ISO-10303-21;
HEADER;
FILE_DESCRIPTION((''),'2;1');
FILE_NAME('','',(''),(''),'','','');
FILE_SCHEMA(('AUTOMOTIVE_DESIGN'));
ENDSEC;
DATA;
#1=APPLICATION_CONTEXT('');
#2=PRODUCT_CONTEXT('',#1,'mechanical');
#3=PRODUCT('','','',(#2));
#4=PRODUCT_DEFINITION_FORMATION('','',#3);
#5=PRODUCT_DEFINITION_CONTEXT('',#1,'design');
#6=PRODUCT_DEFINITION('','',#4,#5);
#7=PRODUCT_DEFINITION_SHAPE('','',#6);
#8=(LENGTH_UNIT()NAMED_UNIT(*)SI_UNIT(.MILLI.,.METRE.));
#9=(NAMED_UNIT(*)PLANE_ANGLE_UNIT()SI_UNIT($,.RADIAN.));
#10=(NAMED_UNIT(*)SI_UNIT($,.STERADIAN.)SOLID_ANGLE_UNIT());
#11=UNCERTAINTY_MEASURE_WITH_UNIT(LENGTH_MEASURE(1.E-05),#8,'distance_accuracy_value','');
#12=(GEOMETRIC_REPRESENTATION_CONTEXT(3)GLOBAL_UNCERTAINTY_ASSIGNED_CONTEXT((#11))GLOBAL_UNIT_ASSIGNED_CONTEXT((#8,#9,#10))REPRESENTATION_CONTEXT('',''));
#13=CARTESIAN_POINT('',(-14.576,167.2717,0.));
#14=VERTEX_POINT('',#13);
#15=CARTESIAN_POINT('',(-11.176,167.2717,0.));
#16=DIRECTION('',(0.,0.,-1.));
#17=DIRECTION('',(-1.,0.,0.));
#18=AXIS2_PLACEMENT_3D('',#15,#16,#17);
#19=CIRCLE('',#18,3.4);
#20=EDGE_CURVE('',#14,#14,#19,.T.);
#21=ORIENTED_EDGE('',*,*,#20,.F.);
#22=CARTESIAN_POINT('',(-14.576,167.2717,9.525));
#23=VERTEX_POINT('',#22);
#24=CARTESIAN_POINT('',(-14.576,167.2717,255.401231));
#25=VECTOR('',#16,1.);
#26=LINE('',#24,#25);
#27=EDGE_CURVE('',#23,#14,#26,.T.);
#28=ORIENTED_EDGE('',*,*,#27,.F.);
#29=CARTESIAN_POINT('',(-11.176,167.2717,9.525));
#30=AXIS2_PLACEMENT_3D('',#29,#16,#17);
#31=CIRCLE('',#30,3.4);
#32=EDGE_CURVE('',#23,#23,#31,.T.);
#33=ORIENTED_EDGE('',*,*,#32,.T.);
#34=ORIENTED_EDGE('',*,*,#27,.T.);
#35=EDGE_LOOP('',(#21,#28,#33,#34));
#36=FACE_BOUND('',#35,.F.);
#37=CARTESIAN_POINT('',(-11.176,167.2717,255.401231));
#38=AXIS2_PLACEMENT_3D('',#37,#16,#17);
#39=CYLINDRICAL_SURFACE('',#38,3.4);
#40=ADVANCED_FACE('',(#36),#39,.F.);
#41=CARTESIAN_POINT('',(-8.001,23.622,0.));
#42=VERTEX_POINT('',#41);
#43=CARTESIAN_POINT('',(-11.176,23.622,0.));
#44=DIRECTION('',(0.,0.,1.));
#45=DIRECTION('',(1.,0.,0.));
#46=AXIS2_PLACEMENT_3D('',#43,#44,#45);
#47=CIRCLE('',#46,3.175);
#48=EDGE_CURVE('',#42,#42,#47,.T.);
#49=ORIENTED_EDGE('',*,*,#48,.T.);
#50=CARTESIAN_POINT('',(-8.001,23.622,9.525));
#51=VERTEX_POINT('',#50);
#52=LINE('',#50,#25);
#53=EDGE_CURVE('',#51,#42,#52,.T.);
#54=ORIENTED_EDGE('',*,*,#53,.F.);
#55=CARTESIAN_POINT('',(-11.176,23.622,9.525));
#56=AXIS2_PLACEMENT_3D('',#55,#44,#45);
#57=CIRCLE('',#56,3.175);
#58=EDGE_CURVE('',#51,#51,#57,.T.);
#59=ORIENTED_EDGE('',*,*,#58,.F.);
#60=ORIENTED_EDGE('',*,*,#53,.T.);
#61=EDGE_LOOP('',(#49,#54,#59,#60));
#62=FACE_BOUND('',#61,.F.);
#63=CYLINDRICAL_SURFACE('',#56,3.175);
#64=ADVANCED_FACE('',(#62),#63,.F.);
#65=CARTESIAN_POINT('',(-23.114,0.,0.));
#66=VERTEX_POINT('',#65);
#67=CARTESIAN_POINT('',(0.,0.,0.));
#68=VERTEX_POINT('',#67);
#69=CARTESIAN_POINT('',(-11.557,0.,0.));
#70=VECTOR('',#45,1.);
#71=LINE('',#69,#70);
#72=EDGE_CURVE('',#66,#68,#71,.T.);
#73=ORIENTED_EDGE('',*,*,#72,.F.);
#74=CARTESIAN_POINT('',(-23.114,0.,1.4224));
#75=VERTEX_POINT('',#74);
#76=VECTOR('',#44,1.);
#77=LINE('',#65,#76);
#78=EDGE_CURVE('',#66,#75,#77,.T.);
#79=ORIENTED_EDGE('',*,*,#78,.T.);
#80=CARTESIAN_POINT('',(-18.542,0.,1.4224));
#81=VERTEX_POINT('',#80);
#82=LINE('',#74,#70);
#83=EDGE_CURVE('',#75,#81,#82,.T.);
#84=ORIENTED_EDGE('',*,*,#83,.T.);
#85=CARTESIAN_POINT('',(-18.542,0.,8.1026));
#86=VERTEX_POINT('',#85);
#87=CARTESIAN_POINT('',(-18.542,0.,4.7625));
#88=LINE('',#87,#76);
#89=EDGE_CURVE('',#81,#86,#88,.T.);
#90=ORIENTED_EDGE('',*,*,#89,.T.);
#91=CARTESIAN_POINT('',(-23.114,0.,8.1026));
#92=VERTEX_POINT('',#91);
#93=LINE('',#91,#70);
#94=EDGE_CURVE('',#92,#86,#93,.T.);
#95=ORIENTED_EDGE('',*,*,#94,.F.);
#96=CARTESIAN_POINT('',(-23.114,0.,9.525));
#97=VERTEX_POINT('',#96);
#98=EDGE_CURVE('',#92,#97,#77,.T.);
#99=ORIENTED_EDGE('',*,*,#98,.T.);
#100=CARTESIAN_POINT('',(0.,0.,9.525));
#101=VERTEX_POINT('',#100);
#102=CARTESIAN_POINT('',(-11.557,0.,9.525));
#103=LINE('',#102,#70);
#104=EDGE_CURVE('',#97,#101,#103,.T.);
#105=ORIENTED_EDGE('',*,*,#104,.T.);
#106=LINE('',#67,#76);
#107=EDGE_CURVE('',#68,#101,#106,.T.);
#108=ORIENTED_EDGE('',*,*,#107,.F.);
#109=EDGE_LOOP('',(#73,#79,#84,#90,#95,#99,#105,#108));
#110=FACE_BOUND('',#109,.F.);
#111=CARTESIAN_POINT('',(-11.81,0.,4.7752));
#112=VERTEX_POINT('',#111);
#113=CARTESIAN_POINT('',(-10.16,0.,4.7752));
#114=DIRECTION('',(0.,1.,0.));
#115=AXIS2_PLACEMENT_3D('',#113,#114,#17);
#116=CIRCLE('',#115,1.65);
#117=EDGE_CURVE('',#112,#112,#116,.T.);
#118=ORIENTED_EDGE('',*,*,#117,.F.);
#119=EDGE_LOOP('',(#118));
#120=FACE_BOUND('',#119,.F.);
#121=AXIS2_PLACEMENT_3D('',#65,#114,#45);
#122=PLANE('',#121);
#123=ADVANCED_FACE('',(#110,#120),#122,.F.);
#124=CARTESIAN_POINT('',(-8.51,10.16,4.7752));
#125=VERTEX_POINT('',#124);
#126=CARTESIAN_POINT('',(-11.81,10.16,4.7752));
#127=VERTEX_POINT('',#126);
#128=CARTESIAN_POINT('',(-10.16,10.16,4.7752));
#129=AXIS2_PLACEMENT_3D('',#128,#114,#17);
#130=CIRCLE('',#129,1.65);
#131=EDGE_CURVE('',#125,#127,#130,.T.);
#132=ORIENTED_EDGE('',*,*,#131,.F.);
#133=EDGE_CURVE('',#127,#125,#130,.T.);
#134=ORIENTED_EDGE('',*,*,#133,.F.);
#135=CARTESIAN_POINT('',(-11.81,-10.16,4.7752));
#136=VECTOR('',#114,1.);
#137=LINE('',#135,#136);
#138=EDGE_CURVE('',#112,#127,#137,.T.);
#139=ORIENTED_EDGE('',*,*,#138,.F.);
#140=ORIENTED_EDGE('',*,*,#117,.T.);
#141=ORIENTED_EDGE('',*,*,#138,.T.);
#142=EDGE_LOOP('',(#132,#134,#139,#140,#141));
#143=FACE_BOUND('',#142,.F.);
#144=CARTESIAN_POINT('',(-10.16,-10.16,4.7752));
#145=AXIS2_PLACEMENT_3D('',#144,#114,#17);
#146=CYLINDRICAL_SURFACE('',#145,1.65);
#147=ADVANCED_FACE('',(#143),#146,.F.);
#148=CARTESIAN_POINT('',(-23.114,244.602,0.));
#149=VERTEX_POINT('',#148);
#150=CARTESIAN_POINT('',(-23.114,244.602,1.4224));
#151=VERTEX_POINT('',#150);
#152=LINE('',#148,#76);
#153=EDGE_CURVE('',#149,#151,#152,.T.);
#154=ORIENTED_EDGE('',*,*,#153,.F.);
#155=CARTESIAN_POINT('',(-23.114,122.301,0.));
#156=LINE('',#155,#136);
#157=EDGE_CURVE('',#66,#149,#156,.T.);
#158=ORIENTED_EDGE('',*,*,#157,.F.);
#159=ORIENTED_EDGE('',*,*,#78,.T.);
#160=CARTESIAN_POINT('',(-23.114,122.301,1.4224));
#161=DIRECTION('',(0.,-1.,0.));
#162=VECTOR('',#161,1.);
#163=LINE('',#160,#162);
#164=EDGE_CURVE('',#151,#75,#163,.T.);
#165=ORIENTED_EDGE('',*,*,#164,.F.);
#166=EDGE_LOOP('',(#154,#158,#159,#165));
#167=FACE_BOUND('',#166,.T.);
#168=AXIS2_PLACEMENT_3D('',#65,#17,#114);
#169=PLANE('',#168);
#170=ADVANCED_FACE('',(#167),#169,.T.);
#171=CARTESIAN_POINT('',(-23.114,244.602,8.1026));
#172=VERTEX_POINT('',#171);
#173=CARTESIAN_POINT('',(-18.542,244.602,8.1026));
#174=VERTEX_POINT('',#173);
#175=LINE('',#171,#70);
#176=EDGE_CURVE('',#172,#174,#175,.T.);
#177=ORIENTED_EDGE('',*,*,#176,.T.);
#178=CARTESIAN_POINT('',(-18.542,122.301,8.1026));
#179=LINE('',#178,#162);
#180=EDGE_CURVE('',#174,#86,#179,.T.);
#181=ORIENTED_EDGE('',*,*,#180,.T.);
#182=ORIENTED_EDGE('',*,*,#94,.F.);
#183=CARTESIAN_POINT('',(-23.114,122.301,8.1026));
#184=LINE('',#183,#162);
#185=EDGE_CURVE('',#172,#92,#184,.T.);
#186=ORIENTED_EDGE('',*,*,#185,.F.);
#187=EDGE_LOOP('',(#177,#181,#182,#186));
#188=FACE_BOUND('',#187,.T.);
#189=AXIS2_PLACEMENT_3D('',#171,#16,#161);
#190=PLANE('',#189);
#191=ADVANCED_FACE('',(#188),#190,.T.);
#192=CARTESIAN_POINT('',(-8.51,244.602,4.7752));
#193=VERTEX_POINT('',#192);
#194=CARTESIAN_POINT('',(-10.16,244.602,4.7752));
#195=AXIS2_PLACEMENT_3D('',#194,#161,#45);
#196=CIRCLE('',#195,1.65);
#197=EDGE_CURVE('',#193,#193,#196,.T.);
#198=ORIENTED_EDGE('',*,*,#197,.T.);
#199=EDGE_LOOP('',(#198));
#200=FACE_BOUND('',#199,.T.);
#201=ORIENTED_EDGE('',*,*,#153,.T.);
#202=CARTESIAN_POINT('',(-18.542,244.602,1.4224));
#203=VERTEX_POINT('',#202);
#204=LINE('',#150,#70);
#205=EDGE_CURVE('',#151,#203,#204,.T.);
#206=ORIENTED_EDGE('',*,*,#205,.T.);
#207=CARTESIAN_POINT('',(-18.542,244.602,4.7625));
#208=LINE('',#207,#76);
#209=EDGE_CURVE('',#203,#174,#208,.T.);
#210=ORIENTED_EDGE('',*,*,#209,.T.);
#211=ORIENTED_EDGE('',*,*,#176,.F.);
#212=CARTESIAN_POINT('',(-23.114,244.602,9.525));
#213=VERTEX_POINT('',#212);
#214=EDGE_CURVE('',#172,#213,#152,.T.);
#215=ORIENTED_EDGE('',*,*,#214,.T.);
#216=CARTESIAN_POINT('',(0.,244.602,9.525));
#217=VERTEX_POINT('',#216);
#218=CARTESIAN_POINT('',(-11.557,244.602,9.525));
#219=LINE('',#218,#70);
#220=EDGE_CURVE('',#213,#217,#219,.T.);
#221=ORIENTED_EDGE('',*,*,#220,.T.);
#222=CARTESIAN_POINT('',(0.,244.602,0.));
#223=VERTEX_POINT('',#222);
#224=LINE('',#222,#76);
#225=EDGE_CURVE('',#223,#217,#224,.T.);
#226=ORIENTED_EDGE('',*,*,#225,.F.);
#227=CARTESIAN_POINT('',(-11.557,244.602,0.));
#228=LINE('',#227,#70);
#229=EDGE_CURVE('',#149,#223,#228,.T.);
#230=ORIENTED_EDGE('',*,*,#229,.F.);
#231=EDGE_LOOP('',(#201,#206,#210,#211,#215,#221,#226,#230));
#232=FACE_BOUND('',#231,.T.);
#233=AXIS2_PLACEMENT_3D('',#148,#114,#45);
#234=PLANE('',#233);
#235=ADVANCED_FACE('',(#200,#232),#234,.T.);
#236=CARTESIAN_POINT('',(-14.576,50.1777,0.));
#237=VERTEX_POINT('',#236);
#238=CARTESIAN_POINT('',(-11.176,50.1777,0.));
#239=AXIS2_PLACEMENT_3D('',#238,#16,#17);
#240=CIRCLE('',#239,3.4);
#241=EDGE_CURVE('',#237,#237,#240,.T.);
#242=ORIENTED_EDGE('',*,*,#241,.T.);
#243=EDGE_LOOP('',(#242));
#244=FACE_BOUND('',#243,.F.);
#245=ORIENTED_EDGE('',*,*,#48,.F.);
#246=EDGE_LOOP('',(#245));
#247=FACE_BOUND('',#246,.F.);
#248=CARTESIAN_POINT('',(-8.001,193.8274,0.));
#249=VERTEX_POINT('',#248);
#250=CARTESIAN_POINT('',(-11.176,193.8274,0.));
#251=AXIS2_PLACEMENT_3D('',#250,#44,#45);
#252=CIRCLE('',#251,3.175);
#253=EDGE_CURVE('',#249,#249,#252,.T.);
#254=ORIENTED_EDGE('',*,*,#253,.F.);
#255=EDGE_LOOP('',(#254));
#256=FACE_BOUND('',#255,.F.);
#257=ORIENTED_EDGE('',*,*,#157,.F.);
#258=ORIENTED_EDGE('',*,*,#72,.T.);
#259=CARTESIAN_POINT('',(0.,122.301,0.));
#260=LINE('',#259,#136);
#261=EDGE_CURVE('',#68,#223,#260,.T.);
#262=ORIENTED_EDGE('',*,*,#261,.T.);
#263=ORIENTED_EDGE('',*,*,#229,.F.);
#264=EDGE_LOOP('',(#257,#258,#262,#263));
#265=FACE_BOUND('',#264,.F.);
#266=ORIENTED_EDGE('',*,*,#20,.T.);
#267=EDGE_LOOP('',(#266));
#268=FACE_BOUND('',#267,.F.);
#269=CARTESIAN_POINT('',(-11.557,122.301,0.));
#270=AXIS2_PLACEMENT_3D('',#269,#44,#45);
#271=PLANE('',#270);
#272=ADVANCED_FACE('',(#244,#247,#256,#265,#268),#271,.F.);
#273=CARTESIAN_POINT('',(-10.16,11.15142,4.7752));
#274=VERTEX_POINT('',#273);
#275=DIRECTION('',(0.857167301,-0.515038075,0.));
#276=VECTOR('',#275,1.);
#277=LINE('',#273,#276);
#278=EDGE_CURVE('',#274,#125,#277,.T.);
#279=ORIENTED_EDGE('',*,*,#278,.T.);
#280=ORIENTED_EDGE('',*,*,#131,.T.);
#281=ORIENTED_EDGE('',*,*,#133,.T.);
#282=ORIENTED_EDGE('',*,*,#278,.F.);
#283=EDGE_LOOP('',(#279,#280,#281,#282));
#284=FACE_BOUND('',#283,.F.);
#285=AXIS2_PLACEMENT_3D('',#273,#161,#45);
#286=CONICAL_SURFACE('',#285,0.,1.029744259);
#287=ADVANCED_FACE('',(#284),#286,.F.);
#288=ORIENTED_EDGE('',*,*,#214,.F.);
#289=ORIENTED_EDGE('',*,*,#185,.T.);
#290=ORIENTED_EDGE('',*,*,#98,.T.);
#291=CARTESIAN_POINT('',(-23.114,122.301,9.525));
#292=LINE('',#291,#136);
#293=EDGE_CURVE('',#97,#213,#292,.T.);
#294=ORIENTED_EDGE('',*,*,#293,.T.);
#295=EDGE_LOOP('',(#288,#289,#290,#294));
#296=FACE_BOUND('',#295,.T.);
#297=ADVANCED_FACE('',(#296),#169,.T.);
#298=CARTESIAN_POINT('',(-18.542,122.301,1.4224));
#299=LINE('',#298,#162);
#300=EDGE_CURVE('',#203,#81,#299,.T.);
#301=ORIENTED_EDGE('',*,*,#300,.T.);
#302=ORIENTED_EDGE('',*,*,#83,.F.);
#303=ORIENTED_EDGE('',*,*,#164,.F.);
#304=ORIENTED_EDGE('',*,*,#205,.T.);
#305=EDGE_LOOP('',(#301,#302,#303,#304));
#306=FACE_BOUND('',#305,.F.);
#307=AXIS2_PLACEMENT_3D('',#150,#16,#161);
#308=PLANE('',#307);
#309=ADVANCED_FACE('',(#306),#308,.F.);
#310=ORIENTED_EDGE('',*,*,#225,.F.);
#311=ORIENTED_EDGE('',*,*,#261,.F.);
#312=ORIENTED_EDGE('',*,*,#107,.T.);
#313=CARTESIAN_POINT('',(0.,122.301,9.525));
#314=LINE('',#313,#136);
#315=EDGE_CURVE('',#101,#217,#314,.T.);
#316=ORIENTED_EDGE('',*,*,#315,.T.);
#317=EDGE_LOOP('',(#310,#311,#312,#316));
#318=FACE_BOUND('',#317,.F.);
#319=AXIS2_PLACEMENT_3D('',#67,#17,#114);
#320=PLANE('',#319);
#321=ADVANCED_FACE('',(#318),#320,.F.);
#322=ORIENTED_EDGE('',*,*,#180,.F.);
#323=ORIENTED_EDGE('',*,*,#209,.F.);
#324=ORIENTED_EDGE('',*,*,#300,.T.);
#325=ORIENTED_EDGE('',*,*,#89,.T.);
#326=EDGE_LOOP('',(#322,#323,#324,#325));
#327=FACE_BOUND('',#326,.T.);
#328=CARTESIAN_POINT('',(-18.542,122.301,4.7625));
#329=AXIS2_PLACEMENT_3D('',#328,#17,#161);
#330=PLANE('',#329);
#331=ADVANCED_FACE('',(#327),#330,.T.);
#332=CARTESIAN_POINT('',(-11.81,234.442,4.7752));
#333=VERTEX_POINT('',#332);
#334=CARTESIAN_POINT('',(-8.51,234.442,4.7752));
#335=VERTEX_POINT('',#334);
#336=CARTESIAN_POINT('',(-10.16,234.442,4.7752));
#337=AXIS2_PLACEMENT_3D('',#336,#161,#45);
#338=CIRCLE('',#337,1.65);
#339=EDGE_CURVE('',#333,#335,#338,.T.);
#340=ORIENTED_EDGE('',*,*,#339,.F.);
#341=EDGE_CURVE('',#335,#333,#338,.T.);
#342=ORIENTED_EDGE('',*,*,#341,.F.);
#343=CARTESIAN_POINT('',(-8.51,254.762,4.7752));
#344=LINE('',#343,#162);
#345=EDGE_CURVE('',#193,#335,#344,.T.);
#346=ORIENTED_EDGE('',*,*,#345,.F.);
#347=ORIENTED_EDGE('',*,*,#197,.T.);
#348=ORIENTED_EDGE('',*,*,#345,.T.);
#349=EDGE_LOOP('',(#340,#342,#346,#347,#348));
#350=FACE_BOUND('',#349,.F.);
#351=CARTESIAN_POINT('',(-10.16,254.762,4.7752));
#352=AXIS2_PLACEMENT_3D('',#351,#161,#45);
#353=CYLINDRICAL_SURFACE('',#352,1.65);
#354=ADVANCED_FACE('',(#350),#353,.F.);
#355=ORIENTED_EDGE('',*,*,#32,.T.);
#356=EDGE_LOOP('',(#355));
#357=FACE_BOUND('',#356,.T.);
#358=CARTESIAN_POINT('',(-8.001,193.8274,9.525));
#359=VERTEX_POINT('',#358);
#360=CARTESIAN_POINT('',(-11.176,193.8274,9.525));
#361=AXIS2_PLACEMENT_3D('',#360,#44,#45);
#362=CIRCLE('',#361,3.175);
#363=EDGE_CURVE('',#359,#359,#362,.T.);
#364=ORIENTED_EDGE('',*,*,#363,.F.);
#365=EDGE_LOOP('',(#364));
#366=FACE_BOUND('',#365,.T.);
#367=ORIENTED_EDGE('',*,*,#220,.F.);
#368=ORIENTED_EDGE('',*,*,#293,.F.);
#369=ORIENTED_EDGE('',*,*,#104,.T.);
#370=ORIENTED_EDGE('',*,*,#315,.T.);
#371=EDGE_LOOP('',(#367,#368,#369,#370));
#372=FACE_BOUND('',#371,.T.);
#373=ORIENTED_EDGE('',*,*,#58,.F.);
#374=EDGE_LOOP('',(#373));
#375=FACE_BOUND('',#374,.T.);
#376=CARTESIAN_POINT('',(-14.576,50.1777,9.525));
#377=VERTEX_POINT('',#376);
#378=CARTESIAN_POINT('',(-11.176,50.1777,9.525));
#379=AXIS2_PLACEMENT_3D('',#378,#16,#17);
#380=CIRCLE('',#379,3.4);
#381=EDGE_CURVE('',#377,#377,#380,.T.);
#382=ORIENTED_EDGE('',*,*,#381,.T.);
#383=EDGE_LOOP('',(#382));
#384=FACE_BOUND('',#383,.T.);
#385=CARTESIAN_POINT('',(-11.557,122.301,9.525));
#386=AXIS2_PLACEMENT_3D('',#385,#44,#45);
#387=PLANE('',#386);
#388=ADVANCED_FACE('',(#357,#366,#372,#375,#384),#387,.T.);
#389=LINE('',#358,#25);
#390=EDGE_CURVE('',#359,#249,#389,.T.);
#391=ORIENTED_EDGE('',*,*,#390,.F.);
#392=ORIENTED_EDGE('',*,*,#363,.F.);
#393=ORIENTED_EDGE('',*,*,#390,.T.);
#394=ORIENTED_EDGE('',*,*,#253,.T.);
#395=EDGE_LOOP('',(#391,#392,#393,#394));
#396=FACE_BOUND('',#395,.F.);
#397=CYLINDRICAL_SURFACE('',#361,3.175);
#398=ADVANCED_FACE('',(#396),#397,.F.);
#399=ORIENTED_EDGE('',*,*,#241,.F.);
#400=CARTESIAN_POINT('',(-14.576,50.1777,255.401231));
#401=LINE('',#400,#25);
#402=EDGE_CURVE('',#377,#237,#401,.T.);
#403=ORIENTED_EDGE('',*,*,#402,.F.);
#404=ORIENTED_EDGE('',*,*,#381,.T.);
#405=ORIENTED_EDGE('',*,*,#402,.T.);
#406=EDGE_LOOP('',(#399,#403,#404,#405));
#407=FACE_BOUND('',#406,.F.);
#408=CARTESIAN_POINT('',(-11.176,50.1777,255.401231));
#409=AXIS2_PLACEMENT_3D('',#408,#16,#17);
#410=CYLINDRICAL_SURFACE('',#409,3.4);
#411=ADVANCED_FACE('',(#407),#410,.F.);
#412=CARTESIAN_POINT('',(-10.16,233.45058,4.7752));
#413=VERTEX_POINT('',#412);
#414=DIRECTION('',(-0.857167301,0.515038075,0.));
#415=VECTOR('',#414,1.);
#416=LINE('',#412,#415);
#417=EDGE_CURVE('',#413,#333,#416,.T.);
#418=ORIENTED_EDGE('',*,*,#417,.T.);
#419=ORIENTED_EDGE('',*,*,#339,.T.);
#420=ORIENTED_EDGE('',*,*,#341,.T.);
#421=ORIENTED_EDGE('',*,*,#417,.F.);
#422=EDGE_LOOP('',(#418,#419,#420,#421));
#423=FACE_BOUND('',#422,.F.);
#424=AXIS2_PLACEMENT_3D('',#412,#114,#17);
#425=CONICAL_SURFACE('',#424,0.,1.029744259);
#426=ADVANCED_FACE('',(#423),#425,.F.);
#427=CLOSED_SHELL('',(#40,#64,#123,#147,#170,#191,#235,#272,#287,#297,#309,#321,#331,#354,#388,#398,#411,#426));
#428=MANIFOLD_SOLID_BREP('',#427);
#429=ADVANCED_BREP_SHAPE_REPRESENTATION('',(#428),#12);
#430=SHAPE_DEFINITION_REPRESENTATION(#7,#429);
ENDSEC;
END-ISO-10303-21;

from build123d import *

# Parameters (mm, degrees)
F0_W     = 23.114
F0_H     = 244.602
F1_DEPTH = 9.525
F2_W     = 244.602
F2_H     = 6.6802
F3_DEPTH = 4.572
F4_R     = 3.175
F5_DEPTH = 9.526
F8_D     = 3.3
F8_DEPTH = 10.16
F8_TIP   = 0.9914200214
F9_D     = 3.3
F9_DEPTH = 10.16
F9_TIP   = 0.9914200214
F11_D    = 6.8


with BuildPart() as f1:
    # F0 (on Top) → F1 (new body)
    with BuildSketch(Plane.XY):
        with Locations((-11.557, 122.301)):
            Rectangle(F0_W, F0_H)
    extrude(amount=F1_DEPTH)

    # F2 (on face) → F3 (cut)
    with BuildSketch(Plane(origin=(-23.114, 0, 0), x_dir=(0, -1, 0), z_dir=(-1, 0, 0))):
        with Locations((-122.301, 4.7625)):
            Rectangle(F2_W, F2_H)
    extrude(amount=-F3_DEPTH, mode=Mode.SUBTRACT)

    # F4 (on face) → F5 (cut, through all)
    with BuildSketch(Plane.XY.offset(9.525)):
        with Locations((-11.176, 23.622)):
            Circle(F4_R)
        with Locations((-11.176, 193.8274)):
            Circle(F4_R)
    extrude(amount=-F5_DEPTH, mode=Mode.SUBTRACT)

    # F8
    with Locations(Plane(origin=(0, 244.602, 0), x_dir=(-1, 0, 0), z_dir=(0, 1, 0))):
        with Locations((10.16, 4.7752)):
            Hole(F8_D / 2, depth=F8_DEPTH)
            with Locations((0, 0, -(F8_DEPTH + F8_TIP / 2))):  # 118° drill point
                Cone(0, F8_D / 2, F8_TIP, mode=Mode.SUBTRACT)

    # F9
    with Locations(Plane.XZ):
        with Locations((-10.16, 4.7752)):
            Hole(F9_D / 2, depth=F9_DEPTH)
            with Locations((0, 0, -(F9_DEPTH + F9_TIP / 2))):  # 118° drill point
                Cone(0, F9_D / 2, F9_TIP, mode=Mode.SUBTRACT)

    # F11 (through all)
    with Locations(Plane.XY.offset(9.525)):
        with Locations((-11.176, 167.2717), (-11.176, 50.1777)):
            Hole(F11_D / 2)


solid = f1.part
